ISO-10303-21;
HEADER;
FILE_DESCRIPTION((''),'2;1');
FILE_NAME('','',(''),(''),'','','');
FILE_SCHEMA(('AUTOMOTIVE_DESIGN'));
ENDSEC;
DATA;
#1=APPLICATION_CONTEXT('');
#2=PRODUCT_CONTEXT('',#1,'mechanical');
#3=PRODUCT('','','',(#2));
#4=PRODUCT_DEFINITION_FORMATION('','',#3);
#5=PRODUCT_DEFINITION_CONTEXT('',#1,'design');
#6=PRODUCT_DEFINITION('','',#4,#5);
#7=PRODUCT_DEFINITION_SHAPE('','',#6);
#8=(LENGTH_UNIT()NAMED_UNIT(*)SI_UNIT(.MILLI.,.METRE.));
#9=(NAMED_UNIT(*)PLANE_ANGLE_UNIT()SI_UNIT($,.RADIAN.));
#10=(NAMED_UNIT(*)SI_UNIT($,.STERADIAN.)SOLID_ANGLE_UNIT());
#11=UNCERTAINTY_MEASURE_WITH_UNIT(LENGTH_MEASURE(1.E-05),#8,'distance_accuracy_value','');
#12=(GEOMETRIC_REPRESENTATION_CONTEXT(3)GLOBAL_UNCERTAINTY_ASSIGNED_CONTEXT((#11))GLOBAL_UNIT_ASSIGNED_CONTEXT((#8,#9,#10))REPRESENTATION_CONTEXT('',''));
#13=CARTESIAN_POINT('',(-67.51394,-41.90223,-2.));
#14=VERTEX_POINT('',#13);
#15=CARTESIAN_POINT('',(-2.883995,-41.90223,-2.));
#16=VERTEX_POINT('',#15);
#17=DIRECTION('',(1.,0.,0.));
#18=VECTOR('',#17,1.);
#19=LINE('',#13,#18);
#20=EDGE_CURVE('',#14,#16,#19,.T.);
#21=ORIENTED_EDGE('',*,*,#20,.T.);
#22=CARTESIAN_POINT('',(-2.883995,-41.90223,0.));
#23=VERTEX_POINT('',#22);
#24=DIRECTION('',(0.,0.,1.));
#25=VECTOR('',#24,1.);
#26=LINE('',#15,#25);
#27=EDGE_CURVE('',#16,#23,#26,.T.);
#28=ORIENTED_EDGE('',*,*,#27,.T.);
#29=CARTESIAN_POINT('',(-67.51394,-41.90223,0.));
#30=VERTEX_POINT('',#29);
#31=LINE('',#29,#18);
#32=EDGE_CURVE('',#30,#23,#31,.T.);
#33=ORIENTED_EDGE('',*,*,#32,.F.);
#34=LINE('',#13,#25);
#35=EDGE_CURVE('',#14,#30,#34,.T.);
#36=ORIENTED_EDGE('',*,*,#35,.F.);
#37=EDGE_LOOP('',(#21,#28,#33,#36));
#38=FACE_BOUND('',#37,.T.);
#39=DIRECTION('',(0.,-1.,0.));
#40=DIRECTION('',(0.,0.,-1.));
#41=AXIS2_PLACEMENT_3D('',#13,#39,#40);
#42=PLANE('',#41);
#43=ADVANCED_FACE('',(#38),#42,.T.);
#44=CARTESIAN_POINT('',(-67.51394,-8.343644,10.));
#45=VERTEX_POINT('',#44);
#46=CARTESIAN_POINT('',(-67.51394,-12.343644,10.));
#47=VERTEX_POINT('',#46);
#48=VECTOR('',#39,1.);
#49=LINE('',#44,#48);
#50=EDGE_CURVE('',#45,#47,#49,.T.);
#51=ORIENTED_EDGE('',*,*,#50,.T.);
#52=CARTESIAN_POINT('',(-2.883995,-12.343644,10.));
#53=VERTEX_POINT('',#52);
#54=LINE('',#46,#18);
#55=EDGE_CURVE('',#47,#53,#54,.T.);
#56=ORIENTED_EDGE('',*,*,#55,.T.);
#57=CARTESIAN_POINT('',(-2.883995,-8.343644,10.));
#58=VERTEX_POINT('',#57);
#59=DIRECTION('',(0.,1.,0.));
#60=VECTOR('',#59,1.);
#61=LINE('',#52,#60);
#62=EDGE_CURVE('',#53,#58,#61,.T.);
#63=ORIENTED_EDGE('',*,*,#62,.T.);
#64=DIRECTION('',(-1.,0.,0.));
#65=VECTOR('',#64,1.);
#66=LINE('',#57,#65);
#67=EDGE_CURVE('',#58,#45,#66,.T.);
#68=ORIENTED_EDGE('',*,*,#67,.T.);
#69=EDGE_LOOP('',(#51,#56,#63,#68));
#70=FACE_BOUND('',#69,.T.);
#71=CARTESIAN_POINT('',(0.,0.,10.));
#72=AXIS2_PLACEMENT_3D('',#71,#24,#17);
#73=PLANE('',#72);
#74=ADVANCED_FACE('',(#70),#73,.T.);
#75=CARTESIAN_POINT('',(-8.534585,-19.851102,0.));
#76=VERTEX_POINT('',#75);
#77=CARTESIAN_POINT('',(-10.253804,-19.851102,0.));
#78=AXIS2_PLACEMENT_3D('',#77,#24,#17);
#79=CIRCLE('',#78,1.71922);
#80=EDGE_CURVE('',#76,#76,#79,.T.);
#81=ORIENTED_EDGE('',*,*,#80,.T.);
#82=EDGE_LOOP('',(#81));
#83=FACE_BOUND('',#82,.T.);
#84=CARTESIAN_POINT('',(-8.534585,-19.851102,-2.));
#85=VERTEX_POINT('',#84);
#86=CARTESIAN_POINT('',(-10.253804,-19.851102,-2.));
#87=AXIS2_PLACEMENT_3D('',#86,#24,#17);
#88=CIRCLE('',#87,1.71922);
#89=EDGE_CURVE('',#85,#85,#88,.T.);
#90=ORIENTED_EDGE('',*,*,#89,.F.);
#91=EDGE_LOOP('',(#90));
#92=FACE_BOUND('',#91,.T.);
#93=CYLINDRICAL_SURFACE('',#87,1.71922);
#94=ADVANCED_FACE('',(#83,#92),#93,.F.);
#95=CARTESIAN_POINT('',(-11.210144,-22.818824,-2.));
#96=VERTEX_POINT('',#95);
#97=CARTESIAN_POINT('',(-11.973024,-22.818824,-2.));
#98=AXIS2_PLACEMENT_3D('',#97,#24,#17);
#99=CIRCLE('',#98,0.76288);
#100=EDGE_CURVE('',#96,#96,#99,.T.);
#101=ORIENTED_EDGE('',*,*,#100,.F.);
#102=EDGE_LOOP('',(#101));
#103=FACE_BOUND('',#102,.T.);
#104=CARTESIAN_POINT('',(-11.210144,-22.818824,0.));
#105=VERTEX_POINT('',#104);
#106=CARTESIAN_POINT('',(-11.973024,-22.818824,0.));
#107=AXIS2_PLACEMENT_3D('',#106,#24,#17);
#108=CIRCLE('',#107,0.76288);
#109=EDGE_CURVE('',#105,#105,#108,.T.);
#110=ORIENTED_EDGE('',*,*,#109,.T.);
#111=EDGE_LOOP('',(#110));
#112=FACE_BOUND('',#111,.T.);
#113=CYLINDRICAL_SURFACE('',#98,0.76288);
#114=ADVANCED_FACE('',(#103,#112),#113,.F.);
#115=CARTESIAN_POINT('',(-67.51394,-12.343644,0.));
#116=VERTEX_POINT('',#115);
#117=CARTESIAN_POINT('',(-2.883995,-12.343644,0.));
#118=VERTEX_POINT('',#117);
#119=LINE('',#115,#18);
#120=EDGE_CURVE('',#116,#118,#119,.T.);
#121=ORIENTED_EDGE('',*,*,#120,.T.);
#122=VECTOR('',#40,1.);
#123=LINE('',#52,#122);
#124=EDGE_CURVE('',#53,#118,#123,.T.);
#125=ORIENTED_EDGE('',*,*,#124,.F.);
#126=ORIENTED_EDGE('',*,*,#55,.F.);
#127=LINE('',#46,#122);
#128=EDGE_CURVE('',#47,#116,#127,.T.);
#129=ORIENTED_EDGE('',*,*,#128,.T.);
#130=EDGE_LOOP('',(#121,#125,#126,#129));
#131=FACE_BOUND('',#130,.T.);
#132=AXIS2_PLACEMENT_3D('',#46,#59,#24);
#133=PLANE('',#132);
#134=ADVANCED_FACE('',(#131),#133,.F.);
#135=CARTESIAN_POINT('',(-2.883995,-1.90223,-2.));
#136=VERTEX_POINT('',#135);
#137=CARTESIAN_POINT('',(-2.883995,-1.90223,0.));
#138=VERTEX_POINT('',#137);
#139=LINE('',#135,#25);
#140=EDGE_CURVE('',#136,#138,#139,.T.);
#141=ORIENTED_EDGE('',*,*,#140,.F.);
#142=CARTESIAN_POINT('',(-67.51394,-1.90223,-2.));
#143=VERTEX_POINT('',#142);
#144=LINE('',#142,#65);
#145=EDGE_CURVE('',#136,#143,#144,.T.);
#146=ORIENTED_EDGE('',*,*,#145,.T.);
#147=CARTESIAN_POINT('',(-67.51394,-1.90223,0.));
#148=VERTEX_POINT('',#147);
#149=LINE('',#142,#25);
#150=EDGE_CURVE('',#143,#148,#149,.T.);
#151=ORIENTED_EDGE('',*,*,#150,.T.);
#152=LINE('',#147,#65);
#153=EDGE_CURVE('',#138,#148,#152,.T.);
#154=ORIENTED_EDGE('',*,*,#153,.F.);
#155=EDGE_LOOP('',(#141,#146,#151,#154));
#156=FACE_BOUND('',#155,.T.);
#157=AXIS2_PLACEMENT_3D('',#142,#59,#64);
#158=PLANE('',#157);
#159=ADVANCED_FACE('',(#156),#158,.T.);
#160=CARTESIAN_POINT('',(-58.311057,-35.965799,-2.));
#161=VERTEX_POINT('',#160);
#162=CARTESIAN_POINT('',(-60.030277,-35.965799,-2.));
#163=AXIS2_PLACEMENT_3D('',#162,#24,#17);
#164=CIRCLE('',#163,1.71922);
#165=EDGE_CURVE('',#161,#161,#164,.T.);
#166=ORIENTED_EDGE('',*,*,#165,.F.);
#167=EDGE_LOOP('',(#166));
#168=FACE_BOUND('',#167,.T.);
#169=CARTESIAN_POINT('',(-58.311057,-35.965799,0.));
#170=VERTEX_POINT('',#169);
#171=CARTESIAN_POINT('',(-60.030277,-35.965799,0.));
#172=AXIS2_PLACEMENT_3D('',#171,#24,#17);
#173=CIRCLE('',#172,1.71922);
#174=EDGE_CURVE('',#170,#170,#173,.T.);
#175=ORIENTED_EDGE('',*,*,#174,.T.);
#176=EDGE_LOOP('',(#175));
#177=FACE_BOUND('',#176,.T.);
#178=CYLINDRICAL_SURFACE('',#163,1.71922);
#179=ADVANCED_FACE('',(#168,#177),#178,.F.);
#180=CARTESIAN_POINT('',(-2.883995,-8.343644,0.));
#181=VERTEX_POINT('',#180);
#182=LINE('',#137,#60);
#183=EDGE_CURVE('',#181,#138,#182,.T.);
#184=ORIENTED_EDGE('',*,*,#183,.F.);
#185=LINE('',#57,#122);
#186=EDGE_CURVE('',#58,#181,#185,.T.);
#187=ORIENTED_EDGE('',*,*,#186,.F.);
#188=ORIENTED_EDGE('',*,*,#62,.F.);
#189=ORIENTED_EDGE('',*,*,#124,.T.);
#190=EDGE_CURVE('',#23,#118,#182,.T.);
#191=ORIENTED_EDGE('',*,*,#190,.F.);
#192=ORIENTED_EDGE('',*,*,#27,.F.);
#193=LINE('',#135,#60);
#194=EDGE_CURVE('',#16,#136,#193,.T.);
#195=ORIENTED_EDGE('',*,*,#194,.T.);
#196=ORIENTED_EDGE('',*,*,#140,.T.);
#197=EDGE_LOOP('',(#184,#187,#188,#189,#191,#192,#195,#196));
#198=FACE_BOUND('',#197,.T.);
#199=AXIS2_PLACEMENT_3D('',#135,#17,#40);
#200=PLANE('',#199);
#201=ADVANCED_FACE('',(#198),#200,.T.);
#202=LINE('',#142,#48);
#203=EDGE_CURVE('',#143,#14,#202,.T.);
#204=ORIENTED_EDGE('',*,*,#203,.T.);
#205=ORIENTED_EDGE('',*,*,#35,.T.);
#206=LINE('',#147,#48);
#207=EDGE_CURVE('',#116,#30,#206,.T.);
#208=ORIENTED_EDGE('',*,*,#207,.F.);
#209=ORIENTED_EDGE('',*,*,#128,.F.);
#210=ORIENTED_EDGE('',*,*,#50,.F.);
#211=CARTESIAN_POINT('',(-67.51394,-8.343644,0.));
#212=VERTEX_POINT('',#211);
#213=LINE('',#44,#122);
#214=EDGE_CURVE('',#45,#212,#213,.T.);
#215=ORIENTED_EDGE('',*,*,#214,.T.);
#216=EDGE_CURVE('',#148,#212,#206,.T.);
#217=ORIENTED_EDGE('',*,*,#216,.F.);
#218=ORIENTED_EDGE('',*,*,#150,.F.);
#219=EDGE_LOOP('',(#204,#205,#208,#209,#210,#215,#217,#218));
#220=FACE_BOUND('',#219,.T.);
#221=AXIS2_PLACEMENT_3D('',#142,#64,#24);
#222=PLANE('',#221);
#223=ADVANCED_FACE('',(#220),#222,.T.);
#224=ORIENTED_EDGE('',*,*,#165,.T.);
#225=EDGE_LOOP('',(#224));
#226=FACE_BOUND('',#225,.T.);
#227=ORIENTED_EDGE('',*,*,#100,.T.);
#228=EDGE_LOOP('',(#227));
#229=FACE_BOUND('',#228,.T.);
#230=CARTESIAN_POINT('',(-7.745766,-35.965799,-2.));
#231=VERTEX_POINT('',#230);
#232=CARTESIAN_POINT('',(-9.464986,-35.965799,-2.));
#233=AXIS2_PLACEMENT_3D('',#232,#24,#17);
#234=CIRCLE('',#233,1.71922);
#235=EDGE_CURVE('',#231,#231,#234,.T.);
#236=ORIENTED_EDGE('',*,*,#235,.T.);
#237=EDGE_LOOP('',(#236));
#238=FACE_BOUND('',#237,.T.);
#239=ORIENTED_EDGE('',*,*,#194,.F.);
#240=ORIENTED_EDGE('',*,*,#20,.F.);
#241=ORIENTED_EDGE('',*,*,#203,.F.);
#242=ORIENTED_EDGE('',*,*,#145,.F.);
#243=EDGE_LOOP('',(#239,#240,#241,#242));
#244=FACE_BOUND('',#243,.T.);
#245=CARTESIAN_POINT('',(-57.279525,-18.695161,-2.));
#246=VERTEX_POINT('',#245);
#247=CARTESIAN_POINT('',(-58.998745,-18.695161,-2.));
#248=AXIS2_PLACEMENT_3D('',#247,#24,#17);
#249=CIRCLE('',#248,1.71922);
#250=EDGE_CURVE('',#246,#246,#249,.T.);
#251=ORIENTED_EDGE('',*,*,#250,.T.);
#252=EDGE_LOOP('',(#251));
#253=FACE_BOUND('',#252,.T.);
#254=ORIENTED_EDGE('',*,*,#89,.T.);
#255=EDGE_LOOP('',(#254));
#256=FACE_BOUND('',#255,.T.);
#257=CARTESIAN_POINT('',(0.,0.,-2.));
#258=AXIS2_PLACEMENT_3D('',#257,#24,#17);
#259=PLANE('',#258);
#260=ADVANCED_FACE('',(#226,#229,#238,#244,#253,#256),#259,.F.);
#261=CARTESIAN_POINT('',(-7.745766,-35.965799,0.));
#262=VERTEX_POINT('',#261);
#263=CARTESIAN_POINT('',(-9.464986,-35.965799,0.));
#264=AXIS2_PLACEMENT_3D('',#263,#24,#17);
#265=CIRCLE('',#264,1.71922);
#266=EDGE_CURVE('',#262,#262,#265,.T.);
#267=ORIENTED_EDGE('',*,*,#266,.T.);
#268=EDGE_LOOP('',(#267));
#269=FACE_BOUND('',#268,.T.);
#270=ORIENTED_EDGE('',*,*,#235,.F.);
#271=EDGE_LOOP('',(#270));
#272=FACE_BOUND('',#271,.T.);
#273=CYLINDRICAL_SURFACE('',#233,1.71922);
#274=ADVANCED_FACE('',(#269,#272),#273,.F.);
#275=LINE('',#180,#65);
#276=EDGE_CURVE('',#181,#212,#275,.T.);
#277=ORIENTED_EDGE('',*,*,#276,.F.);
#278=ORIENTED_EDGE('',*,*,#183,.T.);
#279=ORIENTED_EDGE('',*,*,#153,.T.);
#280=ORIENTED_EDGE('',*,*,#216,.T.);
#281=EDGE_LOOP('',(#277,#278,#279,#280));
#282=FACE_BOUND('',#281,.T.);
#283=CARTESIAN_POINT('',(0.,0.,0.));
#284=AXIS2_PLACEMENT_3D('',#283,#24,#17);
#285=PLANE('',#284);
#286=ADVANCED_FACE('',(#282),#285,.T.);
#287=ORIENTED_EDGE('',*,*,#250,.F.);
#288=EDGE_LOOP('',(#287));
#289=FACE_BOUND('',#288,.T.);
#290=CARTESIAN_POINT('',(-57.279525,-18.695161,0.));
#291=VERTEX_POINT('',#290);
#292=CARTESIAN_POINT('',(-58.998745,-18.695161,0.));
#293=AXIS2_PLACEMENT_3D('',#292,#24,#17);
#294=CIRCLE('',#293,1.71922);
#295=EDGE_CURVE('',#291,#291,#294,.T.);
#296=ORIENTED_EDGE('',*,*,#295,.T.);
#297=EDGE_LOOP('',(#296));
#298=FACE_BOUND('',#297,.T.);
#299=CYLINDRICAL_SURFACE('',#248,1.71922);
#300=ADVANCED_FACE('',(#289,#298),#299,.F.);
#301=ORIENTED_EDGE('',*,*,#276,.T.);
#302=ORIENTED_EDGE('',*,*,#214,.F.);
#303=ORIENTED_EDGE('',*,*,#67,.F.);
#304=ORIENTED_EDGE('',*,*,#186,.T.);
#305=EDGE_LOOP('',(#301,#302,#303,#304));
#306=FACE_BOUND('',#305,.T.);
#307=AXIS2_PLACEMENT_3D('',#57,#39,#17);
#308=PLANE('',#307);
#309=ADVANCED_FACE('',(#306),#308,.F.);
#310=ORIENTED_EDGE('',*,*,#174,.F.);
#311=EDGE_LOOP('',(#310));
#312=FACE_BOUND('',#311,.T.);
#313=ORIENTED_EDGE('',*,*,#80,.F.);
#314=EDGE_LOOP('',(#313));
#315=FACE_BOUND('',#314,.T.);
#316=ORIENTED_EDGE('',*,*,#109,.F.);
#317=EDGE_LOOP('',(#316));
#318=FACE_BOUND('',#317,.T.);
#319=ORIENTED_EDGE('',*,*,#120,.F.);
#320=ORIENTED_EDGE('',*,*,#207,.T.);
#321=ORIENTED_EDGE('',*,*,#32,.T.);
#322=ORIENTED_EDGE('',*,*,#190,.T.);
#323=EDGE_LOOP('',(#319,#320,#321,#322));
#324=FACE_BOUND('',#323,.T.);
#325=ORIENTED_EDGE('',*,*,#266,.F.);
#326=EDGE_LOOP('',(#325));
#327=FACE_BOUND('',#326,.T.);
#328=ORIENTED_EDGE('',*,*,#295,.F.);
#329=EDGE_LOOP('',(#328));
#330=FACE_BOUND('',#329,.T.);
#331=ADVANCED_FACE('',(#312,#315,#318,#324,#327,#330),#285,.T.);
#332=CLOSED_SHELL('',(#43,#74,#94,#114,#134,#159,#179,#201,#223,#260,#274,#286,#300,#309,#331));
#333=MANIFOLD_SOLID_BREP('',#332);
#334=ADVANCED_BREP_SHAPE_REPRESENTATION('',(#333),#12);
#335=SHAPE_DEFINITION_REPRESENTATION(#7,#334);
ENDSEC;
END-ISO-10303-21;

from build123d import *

# Parameters (mm, degrees)
ESQUISSE14_W       = 64.629945491
ESQUISSE14_H       = 40
ESQUISSE14_R       = 1.719219897
ESQUISSE14_R_2     = 0.762879998
BOSS_EXTRU_1_DEPTH = 2
ESQUISSE15_W       = 64.629945491
ESQUISSE15_H       = 4
BOSS_EXTRU_2_DEPTH = 10


with BuildPart() as part:
    # Esquisse14 → Boss.-Extru.1 (new body)
    with BuildSketch(Plane.XY):
        with Locations((-35.198967366, -21.902230173)):
            Rectangle(ESQUISSE14_W, ESQUISSE14_H)
        with Locations((-10.253804476, -19.851102207)):
            Circle(ESQUISSE14_R, mode=Mode.SUBTRACT)
        with Locations((-9.464985935, -35.965799335)):
            Circle(ESQUISSE14_R, mode=Mode.SUBTRACT)
        with Locations((-58.998745092, -18.695161475)):
            Circle(ESQUISSE14_R, mode=Mode.SUBTRACT)
        with Locations((-60.03027703, -35.965799335)):
            Circle(ESQUISSE14_R, mode=Mode.SUBTRACT)
        with Locations((-11.973024373, -22.81882365)):
            Circle(ESQUISSE14_R_2, mode=Mode.SUBTRACT)
    extrude(amount=-BOSS_EXTRU_1_DEPTH)

    # Esquisse15 → Boss.-Extru.2 (add)
    with BuildSketch(Plane.XY):
        with Locations((-35.198967366, -10.343644154)):
            Rectangle(ESQUISSE15_W, ESQUISSE15_H)
    extrude(amount=BOSS_EXTRU_2_DEPTH)


solid = part.part
